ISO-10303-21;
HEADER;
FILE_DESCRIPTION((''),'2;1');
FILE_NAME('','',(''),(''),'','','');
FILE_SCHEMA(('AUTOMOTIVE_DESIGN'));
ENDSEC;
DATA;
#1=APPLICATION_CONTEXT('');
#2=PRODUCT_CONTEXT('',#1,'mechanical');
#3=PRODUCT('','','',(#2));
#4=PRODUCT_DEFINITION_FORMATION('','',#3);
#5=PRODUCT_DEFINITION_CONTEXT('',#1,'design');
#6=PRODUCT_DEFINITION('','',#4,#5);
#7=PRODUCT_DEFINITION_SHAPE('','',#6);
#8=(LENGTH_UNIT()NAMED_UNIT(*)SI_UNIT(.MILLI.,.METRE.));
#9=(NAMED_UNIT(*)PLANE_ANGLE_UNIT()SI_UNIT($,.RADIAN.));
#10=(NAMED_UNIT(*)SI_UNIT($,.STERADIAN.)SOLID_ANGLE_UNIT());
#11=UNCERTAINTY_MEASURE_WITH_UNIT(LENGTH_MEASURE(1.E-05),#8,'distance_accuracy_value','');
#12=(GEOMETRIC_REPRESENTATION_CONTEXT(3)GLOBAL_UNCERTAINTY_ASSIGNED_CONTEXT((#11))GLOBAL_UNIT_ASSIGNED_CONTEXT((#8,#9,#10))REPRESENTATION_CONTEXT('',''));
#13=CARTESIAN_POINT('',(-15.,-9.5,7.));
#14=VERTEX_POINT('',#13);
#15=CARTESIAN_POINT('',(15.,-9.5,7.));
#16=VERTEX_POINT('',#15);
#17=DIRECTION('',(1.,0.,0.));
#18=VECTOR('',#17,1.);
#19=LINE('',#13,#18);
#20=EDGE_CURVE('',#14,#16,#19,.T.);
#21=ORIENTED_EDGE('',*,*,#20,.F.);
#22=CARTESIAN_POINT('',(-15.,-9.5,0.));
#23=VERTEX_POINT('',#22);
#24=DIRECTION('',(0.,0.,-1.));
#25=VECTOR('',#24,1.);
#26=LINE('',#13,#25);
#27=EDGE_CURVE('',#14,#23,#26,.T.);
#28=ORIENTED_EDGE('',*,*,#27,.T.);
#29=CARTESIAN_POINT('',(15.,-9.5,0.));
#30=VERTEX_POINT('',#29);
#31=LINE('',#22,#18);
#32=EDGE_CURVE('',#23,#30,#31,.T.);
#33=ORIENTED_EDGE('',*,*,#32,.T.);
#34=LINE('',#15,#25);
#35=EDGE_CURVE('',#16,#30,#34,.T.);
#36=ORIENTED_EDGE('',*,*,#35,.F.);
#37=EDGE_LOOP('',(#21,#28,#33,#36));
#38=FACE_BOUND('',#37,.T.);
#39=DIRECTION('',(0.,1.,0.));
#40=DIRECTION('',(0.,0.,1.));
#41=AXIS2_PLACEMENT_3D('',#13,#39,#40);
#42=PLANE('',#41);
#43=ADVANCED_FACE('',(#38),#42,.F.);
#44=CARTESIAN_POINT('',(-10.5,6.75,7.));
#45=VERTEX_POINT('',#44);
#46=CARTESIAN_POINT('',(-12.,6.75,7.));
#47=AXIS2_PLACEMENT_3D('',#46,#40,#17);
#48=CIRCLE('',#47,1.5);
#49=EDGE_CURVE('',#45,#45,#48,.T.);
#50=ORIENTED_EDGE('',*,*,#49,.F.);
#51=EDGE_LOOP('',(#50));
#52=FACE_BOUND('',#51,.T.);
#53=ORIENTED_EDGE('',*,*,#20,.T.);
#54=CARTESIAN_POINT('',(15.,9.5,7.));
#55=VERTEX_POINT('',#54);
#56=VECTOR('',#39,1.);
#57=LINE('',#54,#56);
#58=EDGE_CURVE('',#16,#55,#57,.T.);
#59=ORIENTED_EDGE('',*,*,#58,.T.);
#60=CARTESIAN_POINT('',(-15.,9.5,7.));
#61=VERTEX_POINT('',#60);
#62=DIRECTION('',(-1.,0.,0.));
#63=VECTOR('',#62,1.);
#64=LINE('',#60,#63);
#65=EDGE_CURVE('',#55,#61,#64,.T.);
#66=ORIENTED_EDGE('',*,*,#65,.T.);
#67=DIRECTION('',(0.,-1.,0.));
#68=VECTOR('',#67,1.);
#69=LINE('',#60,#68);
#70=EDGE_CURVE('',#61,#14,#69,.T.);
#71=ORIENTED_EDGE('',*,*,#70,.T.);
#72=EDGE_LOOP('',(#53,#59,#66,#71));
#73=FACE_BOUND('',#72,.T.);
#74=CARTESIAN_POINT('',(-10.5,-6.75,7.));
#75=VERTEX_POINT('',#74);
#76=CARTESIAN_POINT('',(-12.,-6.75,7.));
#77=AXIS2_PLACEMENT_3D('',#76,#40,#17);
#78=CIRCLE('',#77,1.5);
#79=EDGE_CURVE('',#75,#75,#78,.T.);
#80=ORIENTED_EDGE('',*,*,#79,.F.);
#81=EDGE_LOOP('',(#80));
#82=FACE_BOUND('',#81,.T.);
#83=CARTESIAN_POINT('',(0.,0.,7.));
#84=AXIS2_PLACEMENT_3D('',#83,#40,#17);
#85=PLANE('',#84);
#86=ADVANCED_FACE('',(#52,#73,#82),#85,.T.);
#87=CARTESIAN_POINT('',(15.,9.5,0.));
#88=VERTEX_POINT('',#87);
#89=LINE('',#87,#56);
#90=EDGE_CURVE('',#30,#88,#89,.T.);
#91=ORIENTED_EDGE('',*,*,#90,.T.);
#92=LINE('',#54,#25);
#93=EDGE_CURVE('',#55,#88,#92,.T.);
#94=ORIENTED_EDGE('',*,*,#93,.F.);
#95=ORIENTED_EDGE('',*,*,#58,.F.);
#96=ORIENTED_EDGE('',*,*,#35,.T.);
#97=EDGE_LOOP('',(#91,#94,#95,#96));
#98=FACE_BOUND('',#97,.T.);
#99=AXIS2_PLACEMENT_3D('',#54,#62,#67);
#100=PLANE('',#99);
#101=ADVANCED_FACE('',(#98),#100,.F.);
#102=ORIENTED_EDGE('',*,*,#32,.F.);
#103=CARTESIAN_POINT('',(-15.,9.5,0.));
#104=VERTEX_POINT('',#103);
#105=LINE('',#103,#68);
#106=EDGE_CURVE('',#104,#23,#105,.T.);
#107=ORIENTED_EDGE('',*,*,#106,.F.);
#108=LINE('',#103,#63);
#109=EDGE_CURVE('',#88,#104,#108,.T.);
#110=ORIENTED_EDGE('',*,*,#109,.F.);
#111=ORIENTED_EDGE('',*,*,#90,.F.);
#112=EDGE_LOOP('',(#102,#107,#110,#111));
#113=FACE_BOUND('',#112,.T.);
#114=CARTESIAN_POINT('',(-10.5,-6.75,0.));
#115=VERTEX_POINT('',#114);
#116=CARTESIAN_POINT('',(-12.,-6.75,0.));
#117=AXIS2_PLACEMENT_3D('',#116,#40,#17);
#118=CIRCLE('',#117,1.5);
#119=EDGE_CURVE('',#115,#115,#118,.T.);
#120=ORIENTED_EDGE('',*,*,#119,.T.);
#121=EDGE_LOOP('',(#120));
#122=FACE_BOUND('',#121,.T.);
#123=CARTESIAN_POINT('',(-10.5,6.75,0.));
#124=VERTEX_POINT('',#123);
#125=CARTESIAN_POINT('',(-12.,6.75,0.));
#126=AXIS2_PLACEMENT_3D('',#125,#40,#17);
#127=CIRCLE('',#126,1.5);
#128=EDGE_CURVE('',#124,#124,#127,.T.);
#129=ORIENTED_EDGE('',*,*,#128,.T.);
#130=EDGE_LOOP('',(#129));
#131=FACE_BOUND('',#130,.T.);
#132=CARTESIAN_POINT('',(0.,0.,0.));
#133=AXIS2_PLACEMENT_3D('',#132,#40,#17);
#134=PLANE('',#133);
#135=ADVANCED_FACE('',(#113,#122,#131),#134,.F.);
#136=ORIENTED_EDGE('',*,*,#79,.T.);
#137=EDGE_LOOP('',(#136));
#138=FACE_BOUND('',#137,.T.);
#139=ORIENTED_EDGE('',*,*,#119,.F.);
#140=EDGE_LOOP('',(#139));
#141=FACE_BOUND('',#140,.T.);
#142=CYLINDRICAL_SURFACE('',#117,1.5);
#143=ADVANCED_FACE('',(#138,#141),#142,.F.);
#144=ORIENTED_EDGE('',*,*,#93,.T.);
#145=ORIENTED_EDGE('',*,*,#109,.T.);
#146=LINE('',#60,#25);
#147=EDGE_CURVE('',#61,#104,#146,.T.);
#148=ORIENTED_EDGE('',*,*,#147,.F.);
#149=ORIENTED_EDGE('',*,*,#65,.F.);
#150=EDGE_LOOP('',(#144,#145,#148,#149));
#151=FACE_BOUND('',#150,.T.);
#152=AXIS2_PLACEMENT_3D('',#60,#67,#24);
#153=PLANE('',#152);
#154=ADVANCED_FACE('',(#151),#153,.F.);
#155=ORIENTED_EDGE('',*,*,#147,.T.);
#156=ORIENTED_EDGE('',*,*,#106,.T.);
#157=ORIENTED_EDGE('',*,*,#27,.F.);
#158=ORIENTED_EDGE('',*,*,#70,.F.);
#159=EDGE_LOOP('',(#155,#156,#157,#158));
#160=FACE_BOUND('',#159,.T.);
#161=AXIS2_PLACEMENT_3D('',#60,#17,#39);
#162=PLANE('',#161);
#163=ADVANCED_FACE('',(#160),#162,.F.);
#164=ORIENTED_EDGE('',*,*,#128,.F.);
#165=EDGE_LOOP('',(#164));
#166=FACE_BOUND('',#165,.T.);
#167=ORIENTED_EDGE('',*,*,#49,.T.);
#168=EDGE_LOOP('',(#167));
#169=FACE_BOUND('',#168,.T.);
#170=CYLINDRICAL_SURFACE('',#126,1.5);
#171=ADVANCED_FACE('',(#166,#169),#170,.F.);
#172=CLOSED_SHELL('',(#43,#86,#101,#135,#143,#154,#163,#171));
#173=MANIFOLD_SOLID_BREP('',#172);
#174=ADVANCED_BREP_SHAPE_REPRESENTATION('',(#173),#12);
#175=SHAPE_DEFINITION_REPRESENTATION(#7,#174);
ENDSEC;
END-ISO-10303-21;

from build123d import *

# Parameters (mm, degrees)
SKIZZE1_W                       = 30
SKIZZE1_H                       = 19
AUFSATZ_LINEAR_AUSTRAGEN1_DEPTH = 7
SKIZZE2_R                       = 1.5
SCHNITT_LINEAR_AUSTRAGEN1_DEPTH = 20.085334684


with BuildPart() as part:
    # Skizze1 → Aufsatz-Linear austragen1 (new body)
    with BuildSketch(Plane.XY):
        Rectangle(SKIZZE1_W, SKIZZE1_H)
    extrude(amount=AUFSATZ_LINEAR_AUSTRAGEN1_DEPTH)

    # Skizze2 → Schnitt-Linear austragen1 (cut, through all)
    with BuildSketch(Plane.XY.offset(7)):
        with Locations((-12, 6.75)):
            Circle(SKIZZE2_R)
        with Locations((-12, -6.75)):
            Circle(SKIZZE2_R)
    extrude(amount=-SCHNITT_LINEAR_AUSTRAGEN1_DEPTH, mode=Mode.SUBTRACT)


solid = part.part
